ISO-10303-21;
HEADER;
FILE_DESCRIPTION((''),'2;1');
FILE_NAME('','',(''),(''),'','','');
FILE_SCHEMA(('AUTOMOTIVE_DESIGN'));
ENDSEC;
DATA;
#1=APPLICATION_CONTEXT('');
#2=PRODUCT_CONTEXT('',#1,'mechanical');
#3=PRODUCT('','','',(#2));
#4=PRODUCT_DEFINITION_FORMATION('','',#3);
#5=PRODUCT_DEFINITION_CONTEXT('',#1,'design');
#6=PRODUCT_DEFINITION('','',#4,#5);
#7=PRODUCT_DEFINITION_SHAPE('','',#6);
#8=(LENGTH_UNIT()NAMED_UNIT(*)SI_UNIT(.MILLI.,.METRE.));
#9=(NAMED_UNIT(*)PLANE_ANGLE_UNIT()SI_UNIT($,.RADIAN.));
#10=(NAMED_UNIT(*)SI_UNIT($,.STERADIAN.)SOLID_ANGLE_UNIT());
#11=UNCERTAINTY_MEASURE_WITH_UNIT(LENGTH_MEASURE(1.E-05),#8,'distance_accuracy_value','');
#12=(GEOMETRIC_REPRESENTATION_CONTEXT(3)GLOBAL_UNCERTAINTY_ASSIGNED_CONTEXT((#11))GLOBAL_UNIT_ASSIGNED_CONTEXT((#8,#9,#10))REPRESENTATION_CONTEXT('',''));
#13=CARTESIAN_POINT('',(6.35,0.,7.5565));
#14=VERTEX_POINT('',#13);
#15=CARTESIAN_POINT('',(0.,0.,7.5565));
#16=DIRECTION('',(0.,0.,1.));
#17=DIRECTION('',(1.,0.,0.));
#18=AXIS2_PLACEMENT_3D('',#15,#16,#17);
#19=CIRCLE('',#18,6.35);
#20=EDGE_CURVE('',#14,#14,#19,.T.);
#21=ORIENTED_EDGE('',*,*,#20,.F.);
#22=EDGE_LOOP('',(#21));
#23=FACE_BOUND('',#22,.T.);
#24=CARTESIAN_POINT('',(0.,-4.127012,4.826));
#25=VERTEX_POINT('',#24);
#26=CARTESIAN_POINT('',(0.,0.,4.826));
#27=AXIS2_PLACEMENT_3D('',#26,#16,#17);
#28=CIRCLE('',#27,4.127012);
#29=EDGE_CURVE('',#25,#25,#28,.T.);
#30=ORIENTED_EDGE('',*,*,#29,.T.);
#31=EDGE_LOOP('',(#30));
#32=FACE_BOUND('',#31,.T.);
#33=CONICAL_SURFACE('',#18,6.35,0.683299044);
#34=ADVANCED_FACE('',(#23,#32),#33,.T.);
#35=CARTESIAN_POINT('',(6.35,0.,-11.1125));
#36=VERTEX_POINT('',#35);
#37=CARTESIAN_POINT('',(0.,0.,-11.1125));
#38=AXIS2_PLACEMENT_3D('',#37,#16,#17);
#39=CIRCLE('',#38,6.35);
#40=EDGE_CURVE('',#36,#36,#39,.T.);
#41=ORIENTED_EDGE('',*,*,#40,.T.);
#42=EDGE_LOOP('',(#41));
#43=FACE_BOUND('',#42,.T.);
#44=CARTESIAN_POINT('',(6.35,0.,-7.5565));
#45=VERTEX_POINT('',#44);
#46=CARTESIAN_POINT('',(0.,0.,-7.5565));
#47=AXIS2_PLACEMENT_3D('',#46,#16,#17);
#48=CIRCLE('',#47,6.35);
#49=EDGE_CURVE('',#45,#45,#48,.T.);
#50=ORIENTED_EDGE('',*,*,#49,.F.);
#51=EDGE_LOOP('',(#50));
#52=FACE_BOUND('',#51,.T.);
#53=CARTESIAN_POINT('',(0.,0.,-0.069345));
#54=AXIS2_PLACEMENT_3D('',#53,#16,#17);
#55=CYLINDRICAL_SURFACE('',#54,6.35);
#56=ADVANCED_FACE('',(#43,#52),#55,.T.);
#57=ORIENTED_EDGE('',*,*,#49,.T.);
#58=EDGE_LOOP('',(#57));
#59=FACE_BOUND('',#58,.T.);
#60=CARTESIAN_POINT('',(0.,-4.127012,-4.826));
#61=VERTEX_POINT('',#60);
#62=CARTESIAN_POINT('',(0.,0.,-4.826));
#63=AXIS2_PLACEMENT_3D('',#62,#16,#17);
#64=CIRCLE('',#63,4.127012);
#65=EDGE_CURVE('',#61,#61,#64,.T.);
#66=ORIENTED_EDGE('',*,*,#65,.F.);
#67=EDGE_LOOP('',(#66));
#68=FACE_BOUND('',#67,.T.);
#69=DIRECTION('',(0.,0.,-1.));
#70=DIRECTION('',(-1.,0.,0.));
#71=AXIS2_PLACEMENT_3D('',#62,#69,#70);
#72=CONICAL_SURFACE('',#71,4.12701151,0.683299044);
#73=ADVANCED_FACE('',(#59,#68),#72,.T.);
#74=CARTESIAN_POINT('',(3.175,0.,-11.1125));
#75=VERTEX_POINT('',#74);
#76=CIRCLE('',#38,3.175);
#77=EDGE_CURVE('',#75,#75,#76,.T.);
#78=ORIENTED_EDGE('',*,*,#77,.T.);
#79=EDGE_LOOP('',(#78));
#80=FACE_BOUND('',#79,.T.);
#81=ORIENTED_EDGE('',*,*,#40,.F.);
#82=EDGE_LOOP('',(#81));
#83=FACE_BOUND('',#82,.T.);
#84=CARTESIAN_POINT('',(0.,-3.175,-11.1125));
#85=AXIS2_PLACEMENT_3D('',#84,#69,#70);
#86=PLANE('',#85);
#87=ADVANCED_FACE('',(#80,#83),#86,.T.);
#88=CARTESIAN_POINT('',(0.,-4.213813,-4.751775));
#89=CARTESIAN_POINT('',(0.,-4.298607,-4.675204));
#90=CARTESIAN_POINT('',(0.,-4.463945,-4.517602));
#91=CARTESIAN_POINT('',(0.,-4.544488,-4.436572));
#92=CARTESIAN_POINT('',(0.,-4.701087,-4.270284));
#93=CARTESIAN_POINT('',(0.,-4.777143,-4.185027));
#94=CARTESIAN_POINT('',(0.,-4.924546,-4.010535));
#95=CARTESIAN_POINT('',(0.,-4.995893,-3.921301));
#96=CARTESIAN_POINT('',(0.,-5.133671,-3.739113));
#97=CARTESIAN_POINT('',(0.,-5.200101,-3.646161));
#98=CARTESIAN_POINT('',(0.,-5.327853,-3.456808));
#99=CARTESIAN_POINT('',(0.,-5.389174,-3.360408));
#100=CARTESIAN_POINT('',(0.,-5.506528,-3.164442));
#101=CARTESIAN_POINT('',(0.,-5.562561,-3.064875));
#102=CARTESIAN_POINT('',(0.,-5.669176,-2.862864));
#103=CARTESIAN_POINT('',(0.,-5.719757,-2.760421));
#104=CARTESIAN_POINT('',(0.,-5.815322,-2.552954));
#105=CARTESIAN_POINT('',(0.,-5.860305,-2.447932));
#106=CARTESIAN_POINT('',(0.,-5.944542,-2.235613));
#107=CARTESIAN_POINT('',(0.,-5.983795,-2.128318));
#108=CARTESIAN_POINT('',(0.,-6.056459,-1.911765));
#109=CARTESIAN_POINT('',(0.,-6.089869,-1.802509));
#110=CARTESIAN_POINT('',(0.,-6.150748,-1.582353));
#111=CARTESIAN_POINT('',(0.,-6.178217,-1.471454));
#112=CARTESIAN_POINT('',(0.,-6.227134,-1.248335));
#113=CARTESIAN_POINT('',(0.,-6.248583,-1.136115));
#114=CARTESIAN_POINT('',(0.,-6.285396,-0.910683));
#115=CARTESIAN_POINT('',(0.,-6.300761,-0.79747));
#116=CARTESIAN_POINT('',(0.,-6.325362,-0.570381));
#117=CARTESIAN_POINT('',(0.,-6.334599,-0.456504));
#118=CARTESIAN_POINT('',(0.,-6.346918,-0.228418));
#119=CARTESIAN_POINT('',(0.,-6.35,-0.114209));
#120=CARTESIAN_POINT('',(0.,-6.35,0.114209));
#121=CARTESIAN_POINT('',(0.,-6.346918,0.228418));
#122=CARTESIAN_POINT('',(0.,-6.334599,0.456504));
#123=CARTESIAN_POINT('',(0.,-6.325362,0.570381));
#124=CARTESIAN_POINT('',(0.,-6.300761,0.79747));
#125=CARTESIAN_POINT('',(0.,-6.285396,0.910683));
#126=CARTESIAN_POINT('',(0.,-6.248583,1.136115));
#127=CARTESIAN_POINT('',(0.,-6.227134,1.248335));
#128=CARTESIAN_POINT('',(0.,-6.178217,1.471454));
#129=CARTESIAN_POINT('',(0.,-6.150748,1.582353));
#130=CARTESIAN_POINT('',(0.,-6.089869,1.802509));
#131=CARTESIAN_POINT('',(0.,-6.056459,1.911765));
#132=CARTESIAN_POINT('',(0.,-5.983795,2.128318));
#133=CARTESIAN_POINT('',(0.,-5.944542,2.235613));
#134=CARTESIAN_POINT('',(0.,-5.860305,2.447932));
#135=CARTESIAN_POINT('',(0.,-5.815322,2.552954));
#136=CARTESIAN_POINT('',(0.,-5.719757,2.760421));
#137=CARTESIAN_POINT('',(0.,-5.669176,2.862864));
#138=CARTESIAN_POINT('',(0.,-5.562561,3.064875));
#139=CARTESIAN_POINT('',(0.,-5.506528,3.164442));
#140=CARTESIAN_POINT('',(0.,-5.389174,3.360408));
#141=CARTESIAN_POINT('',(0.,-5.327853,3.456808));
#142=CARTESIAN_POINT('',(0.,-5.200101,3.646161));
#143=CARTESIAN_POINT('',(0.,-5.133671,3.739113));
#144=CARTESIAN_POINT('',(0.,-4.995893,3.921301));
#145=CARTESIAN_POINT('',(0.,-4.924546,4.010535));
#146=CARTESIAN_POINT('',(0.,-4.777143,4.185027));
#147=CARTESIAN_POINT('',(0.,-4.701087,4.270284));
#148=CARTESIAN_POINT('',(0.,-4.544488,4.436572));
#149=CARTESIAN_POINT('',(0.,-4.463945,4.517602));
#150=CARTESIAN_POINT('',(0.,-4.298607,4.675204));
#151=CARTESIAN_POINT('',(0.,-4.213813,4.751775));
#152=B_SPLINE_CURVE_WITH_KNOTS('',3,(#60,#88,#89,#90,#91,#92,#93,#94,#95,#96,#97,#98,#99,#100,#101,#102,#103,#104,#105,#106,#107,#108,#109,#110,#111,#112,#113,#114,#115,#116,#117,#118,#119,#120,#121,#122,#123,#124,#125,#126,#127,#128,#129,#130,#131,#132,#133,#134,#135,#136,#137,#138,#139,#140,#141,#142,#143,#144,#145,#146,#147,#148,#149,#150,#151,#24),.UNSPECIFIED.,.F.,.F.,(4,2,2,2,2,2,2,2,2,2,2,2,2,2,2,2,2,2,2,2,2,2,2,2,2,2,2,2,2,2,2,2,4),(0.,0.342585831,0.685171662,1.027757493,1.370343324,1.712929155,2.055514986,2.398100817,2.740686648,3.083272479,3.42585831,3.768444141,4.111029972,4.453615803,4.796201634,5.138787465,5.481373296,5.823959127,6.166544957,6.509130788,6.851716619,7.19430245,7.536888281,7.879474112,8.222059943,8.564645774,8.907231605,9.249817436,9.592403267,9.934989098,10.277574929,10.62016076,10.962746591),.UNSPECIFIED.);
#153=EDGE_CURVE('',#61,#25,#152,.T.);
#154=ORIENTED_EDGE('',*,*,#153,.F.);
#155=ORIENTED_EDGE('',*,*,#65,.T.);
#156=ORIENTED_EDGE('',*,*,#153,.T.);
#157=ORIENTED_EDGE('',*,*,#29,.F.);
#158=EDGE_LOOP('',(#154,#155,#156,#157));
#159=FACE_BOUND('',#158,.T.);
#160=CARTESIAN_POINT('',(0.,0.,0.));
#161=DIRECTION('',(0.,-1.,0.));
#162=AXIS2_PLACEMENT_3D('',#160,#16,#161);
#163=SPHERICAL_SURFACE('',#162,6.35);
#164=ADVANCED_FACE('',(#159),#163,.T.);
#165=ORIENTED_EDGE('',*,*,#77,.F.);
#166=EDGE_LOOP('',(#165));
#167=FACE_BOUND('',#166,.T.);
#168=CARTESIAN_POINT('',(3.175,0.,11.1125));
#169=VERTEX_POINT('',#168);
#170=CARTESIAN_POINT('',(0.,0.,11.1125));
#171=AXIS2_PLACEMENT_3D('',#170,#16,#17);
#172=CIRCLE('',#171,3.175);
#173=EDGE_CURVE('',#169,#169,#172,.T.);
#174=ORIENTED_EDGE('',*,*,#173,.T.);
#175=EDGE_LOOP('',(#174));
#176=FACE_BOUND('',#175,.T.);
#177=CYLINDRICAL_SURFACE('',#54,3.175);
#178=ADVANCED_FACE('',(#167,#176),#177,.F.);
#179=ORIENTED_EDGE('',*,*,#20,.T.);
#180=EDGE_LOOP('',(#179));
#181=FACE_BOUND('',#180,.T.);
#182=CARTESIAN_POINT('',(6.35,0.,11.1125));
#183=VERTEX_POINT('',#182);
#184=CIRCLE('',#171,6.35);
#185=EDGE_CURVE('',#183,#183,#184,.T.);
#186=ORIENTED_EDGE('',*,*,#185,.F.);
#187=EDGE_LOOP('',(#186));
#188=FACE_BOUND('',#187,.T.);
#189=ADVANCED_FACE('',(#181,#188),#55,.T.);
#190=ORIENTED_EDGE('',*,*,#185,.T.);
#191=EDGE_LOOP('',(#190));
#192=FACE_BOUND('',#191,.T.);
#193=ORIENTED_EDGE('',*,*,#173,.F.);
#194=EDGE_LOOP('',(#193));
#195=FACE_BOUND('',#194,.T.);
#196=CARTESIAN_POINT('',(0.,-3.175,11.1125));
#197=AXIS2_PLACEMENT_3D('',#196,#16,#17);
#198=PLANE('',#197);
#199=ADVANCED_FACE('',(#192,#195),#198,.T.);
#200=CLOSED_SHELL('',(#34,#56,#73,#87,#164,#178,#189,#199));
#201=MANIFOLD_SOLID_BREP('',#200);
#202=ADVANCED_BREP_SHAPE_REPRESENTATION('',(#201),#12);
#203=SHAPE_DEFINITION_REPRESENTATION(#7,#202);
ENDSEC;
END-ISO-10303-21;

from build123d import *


with BuildPart() as part:
    # Sketch1 → Revolve1 (revolve)
    with BuildSketch(Plane(origin=(0, 0, 0), x_dir=(0, 0, -1), z_dir=(1, 0, 0)), mode=Mode.PRIVATE) as revolve1_sk:
        with BuildLine():
            Line((-11.1125, -3.175), (11.1125, -3.175))
            Line((11.1125, -3.175), (11.1125, -6.35))
            Line((11.1125, -6.35), (7.5565, -6.35))
            Line((7.5565, -6.35), (4.826, -4.12701151))
            ThreePointArc((4.826, -4.12701151), (0, -6.35), (-4.826, -4.12701151))
            Line((-4.826, -4.12701151), (-7.5565, -6.35))
            Line((-7.5565, -6.35), (-11.1125, -6.35))
            Line((-11.1125, -6.35), (-11.1125, -3.175))
        make_face()
    revolve(revolve1_sk.sketch.rotate(Axis((0, 0, -0.069344774), (0, 0, -1)), 270), axis=Axis((0, 0, -0.069344774), (0, 0, -1)))


solid = part.part
